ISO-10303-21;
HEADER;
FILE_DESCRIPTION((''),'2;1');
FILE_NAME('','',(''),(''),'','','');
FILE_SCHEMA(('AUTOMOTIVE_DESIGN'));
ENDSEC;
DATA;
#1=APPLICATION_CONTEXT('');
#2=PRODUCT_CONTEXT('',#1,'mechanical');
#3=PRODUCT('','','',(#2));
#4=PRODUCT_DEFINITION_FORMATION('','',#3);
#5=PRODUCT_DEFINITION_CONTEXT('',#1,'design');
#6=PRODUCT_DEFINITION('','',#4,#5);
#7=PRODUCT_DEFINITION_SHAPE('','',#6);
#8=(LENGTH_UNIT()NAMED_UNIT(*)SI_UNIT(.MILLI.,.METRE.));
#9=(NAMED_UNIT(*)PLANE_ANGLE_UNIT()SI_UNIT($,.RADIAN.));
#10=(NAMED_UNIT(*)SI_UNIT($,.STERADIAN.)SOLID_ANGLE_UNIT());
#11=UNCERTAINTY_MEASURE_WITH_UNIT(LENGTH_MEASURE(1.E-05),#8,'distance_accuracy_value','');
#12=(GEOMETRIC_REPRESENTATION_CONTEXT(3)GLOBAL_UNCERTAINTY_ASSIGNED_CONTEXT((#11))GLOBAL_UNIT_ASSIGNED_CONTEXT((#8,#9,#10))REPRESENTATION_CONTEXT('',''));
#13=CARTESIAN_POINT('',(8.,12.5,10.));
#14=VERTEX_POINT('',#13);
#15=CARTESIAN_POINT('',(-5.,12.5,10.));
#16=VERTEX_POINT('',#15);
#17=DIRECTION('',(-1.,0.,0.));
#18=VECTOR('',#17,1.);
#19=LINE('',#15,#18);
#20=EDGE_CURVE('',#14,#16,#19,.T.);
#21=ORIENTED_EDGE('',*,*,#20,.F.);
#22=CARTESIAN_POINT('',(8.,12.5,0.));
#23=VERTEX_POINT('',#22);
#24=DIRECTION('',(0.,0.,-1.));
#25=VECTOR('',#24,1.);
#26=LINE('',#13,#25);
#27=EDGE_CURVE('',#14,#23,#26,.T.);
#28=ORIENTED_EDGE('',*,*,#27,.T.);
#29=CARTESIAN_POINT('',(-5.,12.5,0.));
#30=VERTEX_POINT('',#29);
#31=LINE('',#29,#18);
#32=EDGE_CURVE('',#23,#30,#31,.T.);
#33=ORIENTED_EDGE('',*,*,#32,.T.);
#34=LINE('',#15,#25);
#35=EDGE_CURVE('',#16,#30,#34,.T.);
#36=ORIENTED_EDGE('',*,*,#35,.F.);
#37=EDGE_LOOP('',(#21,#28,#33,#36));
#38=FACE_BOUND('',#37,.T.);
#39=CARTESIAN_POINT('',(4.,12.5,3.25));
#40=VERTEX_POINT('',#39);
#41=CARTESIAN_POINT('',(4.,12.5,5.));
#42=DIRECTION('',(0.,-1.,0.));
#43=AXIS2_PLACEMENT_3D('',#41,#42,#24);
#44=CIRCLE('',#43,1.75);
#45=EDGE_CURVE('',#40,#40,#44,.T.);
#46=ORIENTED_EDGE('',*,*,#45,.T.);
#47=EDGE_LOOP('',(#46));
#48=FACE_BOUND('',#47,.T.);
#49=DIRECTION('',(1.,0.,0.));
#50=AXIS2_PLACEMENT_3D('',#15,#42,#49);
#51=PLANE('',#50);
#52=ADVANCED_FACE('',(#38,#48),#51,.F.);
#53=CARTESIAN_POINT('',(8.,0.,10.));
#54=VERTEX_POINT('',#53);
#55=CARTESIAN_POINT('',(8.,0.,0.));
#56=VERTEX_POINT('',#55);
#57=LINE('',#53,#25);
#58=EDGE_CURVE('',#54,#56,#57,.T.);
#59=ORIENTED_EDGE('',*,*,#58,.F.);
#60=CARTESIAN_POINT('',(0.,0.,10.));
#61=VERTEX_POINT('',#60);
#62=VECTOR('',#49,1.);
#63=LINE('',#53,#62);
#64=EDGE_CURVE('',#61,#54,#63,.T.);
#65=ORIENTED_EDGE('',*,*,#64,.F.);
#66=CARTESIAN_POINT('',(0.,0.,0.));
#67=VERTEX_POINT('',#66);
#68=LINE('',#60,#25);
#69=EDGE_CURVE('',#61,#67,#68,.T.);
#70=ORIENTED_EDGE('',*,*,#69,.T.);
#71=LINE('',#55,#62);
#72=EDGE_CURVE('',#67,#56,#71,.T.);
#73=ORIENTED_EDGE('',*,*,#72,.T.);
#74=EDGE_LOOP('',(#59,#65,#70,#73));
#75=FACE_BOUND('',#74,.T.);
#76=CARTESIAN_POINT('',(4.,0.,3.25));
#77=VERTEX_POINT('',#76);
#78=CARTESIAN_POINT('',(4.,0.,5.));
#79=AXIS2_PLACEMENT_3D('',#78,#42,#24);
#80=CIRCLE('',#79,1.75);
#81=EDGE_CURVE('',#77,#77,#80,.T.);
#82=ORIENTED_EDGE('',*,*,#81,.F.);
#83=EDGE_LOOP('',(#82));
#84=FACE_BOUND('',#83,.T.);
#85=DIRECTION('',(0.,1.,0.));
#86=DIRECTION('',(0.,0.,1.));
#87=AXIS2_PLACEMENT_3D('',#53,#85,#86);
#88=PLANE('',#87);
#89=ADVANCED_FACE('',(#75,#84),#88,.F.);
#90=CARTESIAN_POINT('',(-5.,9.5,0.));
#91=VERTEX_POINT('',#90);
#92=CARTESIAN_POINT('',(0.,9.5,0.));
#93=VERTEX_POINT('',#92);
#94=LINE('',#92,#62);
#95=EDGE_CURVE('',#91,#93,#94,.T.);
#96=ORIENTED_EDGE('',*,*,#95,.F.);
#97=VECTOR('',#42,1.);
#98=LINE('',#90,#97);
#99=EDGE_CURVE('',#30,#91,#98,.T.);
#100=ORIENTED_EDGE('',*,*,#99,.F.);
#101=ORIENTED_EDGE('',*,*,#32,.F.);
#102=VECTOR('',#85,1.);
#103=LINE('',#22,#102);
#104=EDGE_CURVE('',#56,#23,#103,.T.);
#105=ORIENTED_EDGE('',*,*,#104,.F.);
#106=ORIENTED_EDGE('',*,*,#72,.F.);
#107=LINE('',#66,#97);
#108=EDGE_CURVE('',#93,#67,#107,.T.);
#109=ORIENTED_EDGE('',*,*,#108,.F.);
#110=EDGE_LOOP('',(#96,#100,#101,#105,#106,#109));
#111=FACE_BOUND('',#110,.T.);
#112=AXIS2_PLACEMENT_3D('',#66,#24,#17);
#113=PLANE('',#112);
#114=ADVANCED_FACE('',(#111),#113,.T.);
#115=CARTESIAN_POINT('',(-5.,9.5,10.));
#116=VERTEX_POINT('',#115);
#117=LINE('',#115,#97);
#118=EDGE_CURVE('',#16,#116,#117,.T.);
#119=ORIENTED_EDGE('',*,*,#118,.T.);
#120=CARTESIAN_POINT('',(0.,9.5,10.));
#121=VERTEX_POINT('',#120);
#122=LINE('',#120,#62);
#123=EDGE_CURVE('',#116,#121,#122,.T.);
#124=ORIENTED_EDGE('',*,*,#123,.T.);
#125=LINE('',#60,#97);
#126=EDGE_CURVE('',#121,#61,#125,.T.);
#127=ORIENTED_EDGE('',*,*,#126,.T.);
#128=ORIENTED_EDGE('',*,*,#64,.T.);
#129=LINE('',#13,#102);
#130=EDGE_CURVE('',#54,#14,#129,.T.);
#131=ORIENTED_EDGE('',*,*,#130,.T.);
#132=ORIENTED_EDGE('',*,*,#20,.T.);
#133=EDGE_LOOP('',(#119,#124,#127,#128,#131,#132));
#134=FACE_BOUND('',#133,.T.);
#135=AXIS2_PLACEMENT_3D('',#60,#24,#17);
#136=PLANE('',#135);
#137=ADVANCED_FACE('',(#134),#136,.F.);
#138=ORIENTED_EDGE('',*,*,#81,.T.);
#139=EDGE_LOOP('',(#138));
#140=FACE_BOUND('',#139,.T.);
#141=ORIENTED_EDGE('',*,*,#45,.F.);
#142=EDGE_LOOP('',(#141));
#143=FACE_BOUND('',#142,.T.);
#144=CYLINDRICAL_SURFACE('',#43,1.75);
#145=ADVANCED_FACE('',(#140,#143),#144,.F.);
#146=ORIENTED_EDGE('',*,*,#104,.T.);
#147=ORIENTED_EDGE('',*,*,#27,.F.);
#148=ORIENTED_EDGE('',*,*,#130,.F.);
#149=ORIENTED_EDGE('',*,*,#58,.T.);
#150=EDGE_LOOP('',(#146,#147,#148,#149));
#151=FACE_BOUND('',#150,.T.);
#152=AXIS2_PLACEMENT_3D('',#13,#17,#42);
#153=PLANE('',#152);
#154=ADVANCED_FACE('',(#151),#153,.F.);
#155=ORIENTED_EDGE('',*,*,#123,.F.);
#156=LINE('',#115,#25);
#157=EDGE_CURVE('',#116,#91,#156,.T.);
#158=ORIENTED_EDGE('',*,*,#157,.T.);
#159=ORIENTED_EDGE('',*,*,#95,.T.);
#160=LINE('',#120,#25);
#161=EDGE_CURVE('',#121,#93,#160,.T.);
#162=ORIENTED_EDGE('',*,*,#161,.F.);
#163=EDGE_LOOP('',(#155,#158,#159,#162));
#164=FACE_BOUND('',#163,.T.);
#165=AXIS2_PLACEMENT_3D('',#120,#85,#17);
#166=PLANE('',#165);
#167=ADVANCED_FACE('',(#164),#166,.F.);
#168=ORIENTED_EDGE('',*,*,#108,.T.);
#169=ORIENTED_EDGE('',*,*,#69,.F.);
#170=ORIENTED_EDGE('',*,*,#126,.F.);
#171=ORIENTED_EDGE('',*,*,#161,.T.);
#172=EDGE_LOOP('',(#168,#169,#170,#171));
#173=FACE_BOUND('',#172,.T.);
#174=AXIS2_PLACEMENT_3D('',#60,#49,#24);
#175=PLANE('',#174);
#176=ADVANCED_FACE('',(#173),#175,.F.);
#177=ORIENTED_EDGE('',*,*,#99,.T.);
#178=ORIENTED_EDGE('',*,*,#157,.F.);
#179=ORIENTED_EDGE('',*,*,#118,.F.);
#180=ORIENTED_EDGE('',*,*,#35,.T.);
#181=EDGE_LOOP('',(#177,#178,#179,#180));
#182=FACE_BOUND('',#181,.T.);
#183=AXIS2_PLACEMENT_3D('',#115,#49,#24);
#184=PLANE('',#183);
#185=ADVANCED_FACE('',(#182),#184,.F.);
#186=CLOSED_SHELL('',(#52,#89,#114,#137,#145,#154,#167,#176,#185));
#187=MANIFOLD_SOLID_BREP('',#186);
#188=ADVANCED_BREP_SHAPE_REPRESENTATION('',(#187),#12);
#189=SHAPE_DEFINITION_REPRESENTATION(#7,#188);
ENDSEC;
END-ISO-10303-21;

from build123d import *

# Parameters (mm, degrees)
EXTRUDE_1_DEPTH     = 10
SKETCH_2_R          = 1.75
CUT_EXTRUDE_1_DEPTH = 13.5


with BuildPart() as part:
    # ｽｹｯﾁ1 → ﾎﾞｽ - 押し出し1 (new body)
    with BuildSketch(Plane.XY):
        Polygon((0, 0), (0, 9.5), (-5, 9.5), (-5, 12.5), (8, 12.5), (8, 0), align=None)
    extrude(amount=EXTRUDE_1_DEPTH)

    # ｽｹｯﾁ2 → ｶｯﾄ - 押し出し1 (cut, through all)
    with BuildSketch(Plane.XZ):
        with Locations((4, 5)):
            Circle(SKETCH_2_R)
    extrude(amount=-CUT_EXTRUDE_1_DEPTH, mode=Mode.SUBTRACT)


solid = part.part
